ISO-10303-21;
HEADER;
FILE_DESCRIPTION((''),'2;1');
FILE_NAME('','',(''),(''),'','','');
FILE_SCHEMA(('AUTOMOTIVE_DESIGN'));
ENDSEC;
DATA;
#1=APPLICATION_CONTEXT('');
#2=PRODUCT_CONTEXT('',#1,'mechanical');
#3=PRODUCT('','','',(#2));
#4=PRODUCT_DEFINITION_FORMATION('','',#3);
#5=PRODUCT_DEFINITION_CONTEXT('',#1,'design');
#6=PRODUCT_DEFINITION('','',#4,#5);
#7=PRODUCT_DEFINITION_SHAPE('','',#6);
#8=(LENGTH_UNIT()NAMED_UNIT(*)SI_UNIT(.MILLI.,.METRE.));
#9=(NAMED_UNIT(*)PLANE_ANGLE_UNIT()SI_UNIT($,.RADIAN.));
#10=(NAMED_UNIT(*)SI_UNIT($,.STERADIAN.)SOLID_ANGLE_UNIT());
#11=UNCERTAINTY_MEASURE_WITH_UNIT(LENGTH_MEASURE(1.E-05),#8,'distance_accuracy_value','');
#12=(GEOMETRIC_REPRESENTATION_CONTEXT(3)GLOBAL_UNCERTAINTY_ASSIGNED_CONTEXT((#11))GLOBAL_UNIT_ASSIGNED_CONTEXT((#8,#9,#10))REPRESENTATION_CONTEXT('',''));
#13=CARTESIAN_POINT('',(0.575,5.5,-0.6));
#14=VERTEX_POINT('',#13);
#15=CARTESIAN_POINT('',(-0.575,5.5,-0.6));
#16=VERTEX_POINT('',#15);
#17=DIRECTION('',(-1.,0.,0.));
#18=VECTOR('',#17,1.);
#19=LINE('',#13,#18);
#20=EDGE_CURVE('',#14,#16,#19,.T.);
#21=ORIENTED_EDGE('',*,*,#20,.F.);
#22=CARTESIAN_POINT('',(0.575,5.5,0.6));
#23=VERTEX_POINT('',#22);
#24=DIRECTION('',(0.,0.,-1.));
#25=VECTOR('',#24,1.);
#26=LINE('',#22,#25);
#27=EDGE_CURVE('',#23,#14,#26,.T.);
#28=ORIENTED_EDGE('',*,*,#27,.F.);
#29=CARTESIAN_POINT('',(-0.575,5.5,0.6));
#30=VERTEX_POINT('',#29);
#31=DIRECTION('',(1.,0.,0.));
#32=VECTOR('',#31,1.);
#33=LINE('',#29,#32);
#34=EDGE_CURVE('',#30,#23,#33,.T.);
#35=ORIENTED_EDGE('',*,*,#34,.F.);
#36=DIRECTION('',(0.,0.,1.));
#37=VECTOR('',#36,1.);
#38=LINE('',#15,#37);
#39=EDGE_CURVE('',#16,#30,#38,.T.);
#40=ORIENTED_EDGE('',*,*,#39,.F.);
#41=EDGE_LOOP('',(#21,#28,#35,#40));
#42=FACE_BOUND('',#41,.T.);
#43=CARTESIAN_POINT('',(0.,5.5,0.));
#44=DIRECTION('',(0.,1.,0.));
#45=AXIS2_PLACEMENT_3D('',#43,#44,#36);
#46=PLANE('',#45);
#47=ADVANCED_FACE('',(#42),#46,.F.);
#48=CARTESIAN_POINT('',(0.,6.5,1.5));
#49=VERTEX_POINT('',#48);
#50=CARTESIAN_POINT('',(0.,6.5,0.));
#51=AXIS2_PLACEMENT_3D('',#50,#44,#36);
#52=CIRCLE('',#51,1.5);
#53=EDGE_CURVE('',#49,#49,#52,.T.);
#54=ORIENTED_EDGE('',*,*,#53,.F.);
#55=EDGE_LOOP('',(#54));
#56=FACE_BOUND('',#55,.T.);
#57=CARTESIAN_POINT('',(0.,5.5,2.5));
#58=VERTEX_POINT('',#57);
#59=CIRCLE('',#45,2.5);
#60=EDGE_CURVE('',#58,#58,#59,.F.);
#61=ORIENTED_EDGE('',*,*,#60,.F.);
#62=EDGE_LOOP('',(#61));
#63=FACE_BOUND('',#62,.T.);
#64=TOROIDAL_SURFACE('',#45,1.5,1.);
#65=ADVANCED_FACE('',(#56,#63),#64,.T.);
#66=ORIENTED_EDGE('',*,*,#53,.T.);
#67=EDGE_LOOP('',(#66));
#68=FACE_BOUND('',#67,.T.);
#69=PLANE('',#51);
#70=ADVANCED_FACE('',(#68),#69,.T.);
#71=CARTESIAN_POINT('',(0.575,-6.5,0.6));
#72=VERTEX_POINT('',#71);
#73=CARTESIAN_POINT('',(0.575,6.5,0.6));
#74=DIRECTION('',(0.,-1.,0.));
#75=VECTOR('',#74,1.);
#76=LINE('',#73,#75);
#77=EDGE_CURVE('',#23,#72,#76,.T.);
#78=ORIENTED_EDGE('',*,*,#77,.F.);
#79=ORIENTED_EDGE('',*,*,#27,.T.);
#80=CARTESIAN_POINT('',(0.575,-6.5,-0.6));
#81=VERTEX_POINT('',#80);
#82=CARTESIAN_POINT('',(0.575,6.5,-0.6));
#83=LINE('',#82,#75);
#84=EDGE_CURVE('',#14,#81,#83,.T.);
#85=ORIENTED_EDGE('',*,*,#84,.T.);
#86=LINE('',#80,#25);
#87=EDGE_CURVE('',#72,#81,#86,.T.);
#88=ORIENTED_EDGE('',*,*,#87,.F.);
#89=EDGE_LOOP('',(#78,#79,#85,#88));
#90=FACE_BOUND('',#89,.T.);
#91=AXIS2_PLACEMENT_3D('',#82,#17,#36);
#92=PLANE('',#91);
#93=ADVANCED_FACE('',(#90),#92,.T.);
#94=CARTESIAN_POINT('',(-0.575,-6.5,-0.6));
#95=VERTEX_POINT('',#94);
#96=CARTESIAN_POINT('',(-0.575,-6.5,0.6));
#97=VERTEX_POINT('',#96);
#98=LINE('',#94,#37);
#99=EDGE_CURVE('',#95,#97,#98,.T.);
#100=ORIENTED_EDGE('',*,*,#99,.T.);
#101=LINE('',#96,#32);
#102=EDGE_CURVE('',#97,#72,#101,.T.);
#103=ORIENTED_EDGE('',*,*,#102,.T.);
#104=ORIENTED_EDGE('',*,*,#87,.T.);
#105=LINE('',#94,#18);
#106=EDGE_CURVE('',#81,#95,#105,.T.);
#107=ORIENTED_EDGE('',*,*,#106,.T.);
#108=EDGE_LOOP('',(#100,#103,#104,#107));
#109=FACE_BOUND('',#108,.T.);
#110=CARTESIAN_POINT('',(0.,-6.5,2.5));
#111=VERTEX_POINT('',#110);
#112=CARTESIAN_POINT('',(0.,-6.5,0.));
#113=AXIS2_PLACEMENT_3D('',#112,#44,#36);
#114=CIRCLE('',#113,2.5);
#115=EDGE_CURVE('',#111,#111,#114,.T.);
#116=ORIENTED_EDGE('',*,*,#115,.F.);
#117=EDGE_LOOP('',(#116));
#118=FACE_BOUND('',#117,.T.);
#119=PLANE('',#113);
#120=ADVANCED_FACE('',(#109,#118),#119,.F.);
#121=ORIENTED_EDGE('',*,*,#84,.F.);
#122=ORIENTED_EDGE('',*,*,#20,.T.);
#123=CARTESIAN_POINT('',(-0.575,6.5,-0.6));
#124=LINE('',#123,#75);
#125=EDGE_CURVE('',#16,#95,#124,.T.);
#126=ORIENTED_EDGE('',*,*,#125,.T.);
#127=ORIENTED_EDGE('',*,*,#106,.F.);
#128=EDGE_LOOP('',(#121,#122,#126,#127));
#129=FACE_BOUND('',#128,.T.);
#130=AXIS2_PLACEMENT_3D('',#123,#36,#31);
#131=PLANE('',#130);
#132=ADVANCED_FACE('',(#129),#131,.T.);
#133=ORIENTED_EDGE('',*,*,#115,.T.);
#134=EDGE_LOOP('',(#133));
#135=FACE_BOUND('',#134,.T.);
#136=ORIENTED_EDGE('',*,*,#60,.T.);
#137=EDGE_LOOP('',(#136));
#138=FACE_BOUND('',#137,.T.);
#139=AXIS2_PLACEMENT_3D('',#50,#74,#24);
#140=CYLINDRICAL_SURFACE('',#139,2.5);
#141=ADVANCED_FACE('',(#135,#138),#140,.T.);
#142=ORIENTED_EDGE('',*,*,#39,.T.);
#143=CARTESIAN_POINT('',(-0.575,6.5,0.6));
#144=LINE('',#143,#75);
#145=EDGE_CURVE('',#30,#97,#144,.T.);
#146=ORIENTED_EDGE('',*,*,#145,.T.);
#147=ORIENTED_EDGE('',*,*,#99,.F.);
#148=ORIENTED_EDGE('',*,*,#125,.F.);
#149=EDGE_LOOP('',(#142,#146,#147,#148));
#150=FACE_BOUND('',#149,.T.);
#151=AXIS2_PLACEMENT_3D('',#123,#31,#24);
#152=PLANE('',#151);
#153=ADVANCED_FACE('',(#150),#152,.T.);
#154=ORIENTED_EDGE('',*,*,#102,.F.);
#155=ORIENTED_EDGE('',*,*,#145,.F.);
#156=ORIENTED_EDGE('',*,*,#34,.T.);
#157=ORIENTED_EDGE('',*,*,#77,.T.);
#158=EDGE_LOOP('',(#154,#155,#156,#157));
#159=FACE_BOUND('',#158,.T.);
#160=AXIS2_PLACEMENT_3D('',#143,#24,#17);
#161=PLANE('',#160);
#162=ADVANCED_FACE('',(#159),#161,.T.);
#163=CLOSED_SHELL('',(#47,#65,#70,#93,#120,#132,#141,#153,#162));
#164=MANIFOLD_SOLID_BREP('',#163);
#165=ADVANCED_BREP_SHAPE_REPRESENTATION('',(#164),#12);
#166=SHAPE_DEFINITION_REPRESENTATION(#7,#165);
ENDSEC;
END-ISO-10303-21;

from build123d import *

# Parameters (mm, degrees)
SKETCH2_R           = 2.5
SKETCH2_W           = 1.15
SKETCH2_H           = 1.2
BOSS_EXTRUDE1_DEPTH = 6.5
FILLET1_R           = 1
SKETCH3_W           = 1.15
SKETCH3_H           = 1.2
BOSS_EXTRUDE5_DEPTH = 1


with BuildPart() as part:
    # Sketch2 → Boss-Extrude1 (new body, symmetric)
    with BuildSketch(Plane(origin=(0, 0, 0), x_dir=(1, 0, 0), z_dir=(0, 1, 0))):
        Circle(SKETCH2_R)
        Rectangle(SKETCH2_W, SKETCH2_H, mode=Mode.SUBTRACT)
    extrude(amount=BOSS_EXTRUDE1_DEPTH, both=True)

    # Fillet1
    fillet1_edges = [part.edges().sort_by_distance(p)[0] for p in [
        (-2.5, 6.5, 0),
    ]]
    fillet(fillet1_edges, radius=FILLET1_R)

    # Sketch3 → Boss-Extrude5 (add)
    with BuildSketch(Plane(origin=(0, 6.5, 0), x_dir=(1, 0, 0), z_dir=(0, 1, 0))):
        Rectangle(SKETCH3_W, SKETCH3_H)
    extrude(amount=-BOSS_EXTRUDE5_DEPTH)


solid = part.part
